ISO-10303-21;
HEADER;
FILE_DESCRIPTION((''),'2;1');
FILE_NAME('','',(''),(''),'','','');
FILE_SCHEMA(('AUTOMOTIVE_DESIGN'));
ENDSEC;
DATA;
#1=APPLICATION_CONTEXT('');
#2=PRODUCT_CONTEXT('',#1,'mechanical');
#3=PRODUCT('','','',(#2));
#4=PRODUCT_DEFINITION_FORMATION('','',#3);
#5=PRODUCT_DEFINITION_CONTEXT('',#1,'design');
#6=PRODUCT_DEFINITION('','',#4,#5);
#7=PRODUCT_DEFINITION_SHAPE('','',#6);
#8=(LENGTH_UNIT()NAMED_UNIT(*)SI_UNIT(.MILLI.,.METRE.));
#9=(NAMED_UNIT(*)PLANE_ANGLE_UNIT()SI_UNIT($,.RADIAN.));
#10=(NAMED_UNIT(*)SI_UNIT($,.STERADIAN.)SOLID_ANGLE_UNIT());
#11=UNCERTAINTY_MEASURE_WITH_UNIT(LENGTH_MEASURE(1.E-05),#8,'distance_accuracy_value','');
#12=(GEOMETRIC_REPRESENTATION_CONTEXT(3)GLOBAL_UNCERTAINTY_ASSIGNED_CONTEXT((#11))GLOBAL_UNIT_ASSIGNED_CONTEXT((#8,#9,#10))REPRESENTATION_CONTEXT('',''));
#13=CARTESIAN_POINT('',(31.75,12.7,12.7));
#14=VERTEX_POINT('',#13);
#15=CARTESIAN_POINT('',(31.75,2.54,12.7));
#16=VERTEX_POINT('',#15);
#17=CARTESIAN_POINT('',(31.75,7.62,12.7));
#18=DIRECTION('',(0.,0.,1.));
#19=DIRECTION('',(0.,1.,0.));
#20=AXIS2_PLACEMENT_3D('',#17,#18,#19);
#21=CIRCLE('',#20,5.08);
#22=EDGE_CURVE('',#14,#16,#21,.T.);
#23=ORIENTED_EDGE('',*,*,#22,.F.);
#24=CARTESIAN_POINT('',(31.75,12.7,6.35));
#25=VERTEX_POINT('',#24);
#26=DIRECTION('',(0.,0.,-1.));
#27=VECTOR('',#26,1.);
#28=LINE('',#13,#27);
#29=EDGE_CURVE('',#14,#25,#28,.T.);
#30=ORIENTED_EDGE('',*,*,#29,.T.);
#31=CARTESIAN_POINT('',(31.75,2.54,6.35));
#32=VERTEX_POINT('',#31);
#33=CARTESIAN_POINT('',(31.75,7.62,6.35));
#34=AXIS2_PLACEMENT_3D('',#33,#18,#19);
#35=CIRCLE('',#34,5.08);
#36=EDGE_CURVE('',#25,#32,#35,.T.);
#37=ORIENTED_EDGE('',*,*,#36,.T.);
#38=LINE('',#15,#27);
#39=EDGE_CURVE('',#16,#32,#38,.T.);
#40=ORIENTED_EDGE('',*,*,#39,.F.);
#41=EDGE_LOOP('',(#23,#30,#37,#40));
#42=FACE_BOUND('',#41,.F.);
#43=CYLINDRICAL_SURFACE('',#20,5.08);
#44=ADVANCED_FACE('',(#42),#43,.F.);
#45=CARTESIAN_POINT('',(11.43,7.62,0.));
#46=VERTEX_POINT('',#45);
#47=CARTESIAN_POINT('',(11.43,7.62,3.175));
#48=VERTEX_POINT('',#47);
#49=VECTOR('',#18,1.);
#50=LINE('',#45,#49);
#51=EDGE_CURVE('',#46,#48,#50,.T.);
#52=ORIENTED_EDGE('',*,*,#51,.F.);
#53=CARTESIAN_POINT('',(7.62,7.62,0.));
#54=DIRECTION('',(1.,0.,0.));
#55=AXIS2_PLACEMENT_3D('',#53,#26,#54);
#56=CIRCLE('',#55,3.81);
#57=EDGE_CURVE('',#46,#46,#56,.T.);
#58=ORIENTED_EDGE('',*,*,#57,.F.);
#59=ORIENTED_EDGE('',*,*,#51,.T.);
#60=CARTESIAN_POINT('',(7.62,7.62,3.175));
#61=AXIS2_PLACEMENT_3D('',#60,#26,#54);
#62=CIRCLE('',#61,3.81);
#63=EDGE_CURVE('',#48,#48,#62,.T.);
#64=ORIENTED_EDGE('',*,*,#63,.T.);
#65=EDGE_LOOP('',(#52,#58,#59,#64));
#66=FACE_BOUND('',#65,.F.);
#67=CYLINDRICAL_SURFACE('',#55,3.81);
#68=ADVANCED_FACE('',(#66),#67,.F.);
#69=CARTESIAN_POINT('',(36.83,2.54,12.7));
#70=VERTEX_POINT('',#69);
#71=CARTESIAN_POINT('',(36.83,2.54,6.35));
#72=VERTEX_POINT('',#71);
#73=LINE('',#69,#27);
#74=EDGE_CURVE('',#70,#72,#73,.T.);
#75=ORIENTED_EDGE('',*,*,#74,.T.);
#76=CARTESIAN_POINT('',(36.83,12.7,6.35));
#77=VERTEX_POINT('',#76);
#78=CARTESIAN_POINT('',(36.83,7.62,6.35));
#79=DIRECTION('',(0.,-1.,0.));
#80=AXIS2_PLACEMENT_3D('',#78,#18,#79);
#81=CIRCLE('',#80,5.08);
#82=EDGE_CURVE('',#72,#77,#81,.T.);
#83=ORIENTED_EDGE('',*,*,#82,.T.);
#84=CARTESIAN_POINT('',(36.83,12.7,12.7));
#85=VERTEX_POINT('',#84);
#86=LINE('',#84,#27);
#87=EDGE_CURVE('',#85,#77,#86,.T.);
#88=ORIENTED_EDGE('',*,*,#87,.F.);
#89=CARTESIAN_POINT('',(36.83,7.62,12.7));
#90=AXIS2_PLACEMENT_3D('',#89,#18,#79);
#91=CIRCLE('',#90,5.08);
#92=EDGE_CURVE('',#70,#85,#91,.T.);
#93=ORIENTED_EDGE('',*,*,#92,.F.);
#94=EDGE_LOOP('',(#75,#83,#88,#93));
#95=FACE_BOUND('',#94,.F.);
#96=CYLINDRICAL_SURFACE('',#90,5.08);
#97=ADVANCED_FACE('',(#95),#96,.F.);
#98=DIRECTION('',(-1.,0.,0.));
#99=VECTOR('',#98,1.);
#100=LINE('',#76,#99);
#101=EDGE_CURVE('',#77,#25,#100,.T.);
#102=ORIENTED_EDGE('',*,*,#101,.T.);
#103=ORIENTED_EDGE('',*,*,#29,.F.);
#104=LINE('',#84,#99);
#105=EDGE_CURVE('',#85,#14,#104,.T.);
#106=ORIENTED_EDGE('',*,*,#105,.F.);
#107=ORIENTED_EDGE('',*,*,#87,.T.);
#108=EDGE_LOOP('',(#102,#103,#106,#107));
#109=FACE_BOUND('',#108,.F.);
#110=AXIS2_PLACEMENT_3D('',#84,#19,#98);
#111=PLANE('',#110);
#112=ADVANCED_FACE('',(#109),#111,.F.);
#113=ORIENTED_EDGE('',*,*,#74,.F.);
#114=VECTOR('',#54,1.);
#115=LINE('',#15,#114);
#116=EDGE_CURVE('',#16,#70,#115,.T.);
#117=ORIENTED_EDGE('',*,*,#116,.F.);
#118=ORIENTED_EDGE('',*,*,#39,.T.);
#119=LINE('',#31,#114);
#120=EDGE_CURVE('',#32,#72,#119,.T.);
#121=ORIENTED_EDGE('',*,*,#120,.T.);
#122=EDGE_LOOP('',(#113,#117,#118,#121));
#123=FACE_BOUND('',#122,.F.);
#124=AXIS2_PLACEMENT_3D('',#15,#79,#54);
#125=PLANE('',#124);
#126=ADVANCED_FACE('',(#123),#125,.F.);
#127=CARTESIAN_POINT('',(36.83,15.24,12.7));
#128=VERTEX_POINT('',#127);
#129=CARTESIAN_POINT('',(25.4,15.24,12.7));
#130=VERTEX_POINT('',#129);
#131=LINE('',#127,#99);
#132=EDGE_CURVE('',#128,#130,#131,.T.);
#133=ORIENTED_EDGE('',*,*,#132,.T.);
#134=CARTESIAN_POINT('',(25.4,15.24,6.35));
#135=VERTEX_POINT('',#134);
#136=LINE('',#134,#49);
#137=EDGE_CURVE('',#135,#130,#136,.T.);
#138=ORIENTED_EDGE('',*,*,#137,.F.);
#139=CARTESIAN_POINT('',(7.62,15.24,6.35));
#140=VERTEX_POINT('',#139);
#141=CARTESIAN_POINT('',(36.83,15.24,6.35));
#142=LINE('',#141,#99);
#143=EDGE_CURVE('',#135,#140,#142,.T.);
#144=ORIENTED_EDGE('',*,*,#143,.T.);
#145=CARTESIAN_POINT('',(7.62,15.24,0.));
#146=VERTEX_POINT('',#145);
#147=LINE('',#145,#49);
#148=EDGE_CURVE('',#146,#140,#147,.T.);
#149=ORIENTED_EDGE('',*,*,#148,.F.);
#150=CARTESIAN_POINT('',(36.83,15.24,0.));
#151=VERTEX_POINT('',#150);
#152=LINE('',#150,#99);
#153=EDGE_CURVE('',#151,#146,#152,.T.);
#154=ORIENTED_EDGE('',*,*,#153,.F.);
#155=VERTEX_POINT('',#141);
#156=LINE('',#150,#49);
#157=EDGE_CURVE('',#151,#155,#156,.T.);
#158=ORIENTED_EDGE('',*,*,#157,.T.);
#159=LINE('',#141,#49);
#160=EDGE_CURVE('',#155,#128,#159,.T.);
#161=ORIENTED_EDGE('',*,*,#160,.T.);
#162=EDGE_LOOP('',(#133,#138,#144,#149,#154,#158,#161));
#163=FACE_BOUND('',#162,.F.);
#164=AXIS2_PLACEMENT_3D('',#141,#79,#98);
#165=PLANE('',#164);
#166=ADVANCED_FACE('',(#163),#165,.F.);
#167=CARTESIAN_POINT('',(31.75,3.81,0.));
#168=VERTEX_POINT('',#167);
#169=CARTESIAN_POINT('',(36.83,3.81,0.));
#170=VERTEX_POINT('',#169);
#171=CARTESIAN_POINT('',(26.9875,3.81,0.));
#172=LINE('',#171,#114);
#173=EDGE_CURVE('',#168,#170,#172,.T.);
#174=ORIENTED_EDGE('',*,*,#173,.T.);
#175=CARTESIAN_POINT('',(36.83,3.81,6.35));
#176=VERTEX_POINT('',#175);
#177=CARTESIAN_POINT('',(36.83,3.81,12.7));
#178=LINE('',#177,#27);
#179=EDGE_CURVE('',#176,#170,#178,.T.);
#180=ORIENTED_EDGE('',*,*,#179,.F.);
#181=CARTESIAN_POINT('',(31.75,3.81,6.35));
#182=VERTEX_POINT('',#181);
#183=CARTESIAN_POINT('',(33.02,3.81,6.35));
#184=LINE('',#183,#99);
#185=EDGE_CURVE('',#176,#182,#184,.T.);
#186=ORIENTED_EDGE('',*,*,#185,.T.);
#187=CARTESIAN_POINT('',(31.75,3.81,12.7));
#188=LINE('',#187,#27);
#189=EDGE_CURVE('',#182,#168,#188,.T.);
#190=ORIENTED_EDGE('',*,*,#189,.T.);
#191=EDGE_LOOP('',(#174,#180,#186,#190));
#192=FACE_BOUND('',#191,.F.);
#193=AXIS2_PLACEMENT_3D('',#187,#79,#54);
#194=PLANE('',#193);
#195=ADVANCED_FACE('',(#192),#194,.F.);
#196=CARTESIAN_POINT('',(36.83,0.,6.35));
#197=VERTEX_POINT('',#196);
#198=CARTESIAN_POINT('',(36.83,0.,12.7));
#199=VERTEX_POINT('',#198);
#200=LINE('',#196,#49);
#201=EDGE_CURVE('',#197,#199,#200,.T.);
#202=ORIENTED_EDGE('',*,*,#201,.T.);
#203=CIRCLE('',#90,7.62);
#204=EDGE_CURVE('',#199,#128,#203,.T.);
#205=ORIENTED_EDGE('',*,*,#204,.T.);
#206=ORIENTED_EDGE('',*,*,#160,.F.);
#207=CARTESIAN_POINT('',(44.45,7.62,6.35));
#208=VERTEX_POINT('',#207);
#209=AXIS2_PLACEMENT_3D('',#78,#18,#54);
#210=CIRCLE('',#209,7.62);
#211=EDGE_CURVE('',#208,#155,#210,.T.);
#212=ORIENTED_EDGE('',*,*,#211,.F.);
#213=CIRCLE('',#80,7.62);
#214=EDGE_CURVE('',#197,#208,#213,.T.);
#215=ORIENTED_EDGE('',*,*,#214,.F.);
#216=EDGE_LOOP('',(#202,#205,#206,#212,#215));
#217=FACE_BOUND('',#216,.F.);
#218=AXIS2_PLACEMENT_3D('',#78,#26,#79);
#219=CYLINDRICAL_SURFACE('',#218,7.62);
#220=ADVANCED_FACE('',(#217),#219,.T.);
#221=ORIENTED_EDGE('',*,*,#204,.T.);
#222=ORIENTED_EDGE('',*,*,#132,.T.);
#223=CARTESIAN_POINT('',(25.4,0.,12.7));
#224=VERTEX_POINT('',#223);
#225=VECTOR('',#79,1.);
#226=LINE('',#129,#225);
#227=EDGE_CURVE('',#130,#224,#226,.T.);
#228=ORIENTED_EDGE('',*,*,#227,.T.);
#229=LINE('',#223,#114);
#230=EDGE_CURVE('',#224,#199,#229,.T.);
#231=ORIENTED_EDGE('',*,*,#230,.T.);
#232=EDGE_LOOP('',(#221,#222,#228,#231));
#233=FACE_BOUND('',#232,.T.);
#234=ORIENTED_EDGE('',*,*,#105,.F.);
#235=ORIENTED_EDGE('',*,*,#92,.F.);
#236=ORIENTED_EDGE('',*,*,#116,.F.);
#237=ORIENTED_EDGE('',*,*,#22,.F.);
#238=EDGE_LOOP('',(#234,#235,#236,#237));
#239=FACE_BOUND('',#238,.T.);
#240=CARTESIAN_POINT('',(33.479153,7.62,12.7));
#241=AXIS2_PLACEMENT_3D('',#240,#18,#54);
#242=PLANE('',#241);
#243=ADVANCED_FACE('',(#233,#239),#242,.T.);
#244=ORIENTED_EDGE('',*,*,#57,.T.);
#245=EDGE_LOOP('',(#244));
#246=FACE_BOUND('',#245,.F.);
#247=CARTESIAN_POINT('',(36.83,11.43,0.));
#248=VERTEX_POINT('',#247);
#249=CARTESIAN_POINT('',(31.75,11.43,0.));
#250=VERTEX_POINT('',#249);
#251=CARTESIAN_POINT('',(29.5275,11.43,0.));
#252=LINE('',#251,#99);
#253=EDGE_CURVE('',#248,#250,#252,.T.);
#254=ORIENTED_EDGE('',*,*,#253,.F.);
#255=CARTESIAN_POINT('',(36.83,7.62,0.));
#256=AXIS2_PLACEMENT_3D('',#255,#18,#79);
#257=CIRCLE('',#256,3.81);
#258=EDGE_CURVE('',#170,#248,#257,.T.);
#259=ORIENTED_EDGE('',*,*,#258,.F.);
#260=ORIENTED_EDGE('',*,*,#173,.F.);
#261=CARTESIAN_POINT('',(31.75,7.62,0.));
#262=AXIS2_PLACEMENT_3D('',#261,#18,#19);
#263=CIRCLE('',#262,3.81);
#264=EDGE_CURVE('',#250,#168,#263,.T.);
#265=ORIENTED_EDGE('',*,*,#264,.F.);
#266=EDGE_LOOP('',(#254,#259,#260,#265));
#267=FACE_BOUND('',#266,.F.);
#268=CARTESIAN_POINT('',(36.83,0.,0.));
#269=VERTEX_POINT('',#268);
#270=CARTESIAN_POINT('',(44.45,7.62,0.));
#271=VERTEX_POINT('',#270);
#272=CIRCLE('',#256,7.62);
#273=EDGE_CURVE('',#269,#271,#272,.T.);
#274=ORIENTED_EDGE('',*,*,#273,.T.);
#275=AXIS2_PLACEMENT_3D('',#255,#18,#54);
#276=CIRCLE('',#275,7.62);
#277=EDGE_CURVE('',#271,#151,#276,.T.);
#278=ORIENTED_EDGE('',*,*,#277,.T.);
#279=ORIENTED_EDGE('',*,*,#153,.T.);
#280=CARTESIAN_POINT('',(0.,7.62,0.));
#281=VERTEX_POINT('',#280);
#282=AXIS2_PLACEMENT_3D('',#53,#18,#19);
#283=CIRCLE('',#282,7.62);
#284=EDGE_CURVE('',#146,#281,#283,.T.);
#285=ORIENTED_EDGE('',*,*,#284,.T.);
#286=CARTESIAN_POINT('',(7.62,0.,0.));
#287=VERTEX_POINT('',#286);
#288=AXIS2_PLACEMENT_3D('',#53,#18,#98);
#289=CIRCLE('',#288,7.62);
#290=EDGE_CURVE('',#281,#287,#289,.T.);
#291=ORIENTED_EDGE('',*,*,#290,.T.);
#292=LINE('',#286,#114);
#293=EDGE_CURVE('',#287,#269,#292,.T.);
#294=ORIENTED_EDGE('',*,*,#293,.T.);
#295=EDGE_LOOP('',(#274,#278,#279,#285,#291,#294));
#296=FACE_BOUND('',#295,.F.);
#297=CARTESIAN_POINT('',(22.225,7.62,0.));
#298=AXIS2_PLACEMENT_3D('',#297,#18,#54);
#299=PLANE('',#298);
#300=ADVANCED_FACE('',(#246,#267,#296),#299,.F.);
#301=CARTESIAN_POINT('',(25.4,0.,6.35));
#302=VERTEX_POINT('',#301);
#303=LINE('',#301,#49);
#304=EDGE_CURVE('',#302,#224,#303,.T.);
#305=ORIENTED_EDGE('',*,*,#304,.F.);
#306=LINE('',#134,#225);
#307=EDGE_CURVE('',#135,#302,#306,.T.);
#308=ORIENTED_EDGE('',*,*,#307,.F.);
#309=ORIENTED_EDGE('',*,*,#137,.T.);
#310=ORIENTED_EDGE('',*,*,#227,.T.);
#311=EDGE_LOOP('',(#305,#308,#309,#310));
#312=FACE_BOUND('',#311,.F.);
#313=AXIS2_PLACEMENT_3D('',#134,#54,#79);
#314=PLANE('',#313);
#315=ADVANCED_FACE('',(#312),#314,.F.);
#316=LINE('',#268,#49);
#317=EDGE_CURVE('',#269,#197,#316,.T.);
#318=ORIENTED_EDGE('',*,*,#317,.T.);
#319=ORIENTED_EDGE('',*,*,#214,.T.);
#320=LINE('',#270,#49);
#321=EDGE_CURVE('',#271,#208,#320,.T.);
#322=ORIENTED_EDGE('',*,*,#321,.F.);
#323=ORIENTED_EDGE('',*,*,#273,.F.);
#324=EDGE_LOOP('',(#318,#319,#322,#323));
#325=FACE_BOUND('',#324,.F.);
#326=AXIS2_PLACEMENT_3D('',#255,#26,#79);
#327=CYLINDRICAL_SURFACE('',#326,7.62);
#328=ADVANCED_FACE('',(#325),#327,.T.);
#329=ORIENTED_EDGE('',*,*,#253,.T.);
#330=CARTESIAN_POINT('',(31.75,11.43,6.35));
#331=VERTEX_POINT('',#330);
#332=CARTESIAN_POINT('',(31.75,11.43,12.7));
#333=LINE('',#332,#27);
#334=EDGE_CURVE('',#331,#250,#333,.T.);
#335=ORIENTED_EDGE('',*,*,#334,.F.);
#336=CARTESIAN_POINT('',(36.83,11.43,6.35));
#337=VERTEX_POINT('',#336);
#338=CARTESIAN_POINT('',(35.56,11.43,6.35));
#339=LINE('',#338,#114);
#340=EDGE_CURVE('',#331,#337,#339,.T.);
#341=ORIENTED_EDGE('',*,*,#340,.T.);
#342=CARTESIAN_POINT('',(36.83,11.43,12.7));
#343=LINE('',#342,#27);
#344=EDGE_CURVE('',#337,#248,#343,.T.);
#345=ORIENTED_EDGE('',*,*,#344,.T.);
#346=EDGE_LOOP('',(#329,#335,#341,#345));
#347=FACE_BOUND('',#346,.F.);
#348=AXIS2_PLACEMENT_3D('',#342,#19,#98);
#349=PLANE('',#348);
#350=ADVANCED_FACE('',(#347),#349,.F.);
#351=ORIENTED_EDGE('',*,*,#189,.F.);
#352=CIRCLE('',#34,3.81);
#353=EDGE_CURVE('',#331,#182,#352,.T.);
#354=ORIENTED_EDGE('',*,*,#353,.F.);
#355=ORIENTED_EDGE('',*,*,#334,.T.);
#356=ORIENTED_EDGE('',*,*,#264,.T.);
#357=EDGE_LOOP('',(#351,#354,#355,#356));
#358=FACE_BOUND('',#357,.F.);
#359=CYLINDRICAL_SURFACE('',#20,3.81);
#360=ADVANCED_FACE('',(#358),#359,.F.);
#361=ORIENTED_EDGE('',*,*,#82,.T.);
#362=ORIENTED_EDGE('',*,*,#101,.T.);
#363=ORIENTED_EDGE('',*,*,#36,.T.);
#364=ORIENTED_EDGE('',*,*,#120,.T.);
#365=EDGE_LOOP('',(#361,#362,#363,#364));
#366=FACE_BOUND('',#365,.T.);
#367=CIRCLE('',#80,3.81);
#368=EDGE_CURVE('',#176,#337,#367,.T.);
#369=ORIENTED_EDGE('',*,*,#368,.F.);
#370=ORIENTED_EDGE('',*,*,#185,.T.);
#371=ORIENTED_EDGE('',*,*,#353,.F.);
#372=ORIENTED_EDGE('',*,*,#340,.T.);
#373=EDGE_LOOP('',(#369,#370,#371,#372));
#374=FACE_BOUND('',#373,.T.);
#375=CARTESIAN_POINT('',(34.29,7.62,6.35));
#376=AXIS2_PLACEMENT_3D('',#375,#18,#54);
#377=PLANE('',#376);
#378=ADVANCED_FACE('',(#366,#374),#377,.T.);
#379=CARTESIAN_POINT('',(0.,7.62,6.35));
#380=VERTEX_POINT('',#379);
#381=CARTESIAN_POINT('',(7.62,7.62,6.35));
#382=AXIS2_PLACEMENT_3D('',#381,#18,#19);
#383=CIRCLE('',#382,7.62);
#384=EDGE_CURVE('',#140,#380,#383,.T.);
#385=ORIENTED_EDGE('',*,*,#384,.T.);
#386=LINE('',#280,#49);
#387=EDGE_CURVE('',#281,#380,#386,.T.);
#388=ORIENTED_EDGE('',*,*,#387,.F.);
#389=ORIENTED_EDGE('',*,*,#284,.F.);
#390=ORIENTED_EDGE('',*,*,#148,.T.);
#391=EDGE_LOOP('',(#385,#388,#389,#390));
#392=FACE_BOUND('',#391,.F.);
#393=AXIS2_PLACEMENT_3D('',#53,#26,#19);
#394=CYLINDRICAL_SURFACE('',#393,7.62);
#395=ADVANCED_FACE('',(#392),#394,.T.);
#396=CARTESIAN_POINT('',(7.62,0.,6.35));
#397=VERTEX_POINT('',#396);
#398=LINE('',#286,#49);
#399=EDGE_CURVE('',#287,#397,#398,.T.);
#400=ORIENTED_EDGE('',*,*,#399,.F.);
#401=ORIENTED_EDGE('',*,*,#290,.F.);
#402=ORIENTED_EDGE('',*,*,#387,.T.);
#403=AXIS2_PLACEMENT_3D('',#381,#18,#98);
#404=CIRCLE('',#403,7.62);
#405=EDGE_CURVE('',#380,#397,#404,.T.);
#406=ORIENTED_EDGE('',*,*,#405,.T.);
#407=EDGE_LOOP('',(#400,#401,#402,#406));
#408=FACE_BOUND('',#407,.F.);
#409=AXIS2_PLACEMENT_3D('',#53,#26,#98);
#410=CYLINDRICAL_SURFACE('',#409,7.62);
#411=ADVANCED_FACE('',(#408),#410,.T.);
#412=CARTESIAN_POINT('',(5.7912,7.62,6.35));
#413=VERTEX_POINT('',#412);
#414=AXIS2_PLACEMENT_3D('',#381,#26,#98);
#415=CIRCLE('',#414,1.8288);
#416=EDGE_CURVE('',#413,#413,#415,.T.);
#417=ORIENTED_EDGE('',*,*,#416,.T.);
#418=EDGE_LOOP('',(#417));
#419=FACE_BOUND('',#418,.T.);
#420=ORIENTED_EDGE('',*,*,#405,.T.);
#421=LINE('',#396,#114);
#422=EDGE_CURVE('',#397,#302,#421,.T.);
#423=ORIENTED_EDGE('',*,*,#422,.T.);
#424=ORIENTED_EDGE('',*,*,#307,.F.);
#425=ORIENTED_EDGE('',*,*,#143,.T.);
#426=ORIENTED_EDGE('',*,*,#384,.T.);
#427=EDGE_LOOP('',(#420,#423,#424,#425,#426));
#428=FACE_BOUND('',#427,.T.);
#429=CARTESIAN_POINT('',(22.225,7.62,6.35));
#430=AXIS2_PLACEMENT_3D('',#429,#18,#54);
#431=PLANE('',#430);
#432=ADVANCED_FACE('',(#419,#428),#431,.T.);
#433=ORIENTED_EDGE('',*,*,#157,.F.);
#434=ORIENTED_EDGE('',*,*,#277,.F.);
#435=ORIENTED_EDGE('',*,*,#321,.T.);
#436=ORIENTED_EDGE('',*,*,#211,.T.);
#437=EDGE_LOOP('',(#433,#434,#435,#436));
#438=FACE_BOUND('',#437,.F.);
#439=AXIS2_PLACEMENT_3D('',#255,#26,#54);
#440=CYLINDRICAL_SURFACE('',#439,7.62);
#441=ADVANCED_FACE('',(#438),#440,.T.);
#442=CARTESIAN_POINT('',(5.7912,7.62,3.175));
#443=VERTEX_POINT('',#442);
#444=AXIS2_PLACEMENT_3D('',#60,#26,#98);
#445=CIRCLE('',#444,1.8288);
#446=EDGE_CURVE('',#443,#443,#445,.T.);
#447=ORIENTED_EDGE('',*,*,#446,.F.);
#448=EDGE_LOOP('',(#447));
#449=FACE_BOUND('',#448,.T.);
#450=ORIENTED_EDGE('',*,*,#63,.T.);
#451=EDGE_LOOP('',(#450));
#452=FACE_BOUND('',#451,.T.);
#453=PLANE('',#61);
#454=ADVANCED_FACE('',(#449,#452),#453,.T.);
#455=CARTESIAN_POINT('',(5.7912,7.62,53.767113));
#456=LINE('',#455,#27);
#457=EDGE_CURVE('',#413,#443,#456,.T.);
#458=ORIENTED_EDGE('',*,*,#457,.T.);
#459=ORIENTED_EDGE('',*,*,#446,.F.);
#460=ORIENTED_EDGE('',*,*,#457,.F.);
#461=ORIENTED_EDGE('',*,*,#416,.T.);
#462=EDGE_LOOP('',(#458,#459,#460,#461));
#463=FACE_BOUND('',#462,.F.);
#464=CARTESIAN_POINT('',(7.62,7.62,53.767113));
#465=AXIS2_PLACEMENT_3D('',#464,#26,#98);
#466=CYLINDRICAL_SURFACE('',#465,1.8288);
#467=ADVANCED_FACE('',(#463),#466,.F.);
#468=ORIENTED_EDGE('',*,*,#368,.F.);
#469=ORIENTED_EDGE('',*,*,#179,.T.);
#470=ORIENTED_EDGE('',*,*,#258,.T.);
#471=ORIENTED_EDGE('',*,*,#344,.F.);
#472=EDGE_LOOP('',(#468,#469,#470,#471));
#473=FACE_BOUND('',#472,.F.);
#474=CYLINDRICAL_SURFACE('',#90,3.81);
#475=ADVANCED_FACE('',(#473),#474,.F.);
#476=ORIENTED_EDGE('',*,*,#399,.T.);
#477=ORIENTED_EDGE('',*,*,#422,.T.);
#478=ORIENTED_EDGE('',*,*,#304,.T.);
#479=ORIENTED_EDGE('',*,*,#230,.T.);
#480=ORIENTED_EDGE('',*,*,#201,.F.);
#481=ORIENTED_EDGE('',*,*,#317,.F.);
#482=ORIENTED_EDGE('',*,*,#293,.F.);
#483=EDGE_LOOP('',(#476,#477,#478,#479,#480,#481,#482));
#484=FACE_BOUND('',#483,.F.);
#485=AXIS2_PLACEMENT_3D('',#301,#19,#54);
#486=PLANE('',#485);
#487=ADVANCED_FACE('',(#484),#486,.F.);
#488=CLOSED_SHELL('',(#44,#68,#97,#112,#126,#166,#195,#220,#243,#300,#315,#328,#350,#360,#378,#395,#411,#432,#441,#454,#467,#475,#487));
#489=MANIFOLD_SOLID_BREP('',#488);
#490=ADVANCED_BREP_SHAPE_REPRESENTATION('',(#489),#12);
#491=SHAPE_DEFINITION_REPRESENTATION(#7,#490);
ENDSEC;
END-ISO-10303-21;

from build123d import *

# Parameters (mm, degrees)
F1_DEPTH  = 6.35
F3_D      = 3.6576
F5_DEPTH  = 6.35
F7_DEPTH  = 12.701
F9_DEPTH  = 6.35
F10_R     = 3.81
F11_DEPTH = 3.175


with BuildPart() as f1:
    # F0 (on Top) → F1 (new body)
    with BuildSketch(Plane.XY):
        with BuildLine():
            ThreePointArc((0, 7.62), (2.2318463274, 2.2318463274), (7.62, 0))
            Line((7.62, 0), (36.83, 0))
            ThreePointArc((36.83, 0), (42.2181536726, 2.2318463274), (44.45, 7.62))
            ThreePointArc((44.45, 7.62), (42.2181536726, 13.0081536726), (36.83, 15.24))
            Line((36.83, 15.24), (7.62, 15.24))
            ThreePointArc((7.62, 15.24), (2.2318463274, 13.0081536726), (0, 7.62))
        make_face()
    extrude(amount=F1_DEPTH)

    # F3 (through all)
    with Locations(Plane.XY.offset(6.35)):
        with Locations((7.62, 7.62)):
            Hole(F3_D / 2)

    # F4 (on face) → F5 (join)
    with BuildSketch(Plane.XY.offset(6.35)):
        with BuildLine():
            Line((36.83, 15.24), (25.4, 15.24))
            Line((25.4, 15.24), (25.4, 0))
            Line((25.4, 0), (36.83, 0))
            ThreePointArc((36.83, 0), (44.45, 7.62), (36.83, 15.24))
        make_face()
    extrude(amount=F5_DEPTH)

    # F6 (on face) → F7 (cut, through all)
    with BuildSketch(Plane.XY.offset(12.7)):
        with BuildLine():
            ThreePointArc((31.75, 11.43), (27.94, 7.62), (31.75, 3.81))
            Line((31.75, 3.81), (36.83, 3.81))
            ThreePointArc((36.83, 3.81), (40.64, 7.62), (36.83, 11.43))
            Line((36.83, 11.43), (31.75, 11.43))
        make_face()
    extrude(amount=-F7_DEPTH, mode=Mode.SUBTRACT)

    # F8 (on face) → F9 (cut)
    with BuildSketch(Plane.XY.offset(12.7)):
        with BuildLine():
            ThreePointArc((31.75, 12.7), (26.67, 7.62), (31.75, 2.54))
            Line((31.75, 2.54), (36.83, 2.54))
            ThreePointArc((36.83, 2.54), (41.91, 7.62), (36.83, 12.7))
            Line((36.83, 12.7), (31.75, 12.7))
        make_face()
    extrude(amount=-F9_DEPTH, mode=Mode.SUBTRACT)

    # F10 (on face) → F11 (cut)
    with BuildSketch(Plane(origin=(0, 0, 0), x_dir=(1, 0, 0), z_dir=(0, 0, -1))):
        with Locations((7.62, -7.62)):
            Circle(F10_R)
    extrude(amount=-F11_DEPTH, mode=Mode.SUBTRACT)


solid = f1.part
